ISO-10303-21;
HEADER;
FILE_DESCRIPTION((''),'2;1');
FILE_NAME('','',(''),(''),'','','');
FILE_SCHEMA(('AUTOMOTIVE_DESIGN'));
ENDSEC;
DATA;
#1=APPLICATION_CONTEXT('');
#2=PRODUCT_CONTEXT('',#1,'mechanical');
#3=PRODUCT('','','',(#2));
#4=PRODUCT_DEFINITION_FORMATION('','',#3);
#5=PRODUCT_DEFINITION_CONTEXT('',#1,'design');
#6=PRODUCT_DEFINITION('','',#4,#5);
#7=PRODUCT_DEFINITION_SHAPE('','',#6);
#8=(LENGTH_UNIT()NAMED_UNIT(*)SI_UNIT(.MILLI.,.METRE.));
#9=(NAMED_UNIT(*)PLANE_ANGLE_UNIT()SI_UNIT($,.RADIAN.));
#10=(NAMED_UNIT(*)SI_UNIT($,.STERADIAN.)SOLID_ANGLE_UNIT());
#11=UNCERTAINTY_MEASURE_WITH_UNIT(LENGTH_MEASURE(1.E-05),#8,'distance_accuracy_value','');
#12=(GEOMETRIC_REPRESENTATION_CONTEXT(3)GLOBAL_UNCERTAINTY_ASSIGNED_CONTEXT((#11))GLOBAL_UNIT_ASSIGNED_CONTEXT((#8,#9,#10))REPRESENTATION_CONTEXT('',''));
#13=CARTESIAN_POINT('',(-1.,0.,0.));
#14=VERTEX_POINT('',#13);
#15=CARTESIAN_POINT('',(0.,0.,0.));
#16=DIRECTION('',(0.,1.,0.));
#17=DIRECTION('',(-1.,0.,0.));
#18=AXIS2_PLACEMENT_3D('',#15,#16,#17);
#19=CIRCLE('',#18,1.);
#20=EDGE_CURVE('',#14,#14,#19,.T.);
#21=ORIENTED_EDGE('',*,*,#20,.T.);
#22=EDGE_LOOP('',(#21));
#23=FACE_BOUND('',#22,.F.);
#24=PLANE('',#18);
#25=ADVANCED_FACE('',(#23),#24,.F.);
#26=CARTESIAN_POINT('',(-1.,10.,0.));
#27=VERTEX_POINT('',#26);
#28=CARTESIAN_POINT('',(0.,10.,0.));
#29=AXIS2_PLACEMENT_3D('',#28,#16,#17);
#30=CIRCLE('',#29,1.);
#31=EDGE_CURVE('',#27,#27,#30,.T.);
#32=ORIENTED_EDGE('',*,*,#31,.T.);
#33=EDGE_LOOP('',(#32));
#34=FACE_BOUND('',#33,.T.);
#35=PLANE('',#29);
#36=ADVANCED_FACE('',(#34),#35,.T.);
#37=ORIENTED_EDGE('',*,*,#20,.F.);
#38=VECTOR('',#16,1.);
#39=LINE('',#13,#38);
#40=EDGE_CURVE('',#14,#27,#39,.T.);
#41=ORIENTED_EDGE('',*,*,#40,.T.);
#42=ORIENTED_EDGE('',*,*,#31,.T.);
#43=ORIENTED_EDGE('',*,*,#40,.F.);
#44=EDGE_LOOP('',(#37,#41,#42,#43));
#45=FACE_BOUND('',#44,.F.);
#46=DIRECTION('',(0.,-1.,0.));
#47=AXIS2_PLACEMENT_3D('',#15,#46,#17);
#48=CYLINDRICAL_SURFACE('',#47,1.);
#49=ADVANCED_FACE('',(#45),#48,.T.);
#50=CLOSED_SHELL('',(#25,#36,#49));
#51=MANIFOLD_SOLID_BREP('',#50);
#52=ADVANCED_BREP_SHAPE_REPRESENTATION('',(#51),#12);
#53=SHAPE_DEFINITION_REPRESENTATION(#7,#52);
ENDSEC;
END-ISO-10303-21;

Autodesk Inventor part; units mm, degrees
ref_plane "YZ Plane" through (0, 0, 0) normal (1, 0, 0) x (0, 1, 0)
ref_plane "XZ Plane" through (0, 0, 0) normal (0, 1, 0) x (-1, 0, 0)
ref_plane "XY Plane" through (0, 0, 0) normal (0, 0, 1) x (1, 0, 0)
sketch "Sketch1" plane through (0, 0, 0) normal (0, 1, 0) x (-1, 0, 0)
  circle A0 centre (0, 0) radius 1
  dimension "d0" = 2
extrude "Extrusion1" add sketch "Sketch1" along normal blind 10
properties part number "rud_ujjba_rovid"
